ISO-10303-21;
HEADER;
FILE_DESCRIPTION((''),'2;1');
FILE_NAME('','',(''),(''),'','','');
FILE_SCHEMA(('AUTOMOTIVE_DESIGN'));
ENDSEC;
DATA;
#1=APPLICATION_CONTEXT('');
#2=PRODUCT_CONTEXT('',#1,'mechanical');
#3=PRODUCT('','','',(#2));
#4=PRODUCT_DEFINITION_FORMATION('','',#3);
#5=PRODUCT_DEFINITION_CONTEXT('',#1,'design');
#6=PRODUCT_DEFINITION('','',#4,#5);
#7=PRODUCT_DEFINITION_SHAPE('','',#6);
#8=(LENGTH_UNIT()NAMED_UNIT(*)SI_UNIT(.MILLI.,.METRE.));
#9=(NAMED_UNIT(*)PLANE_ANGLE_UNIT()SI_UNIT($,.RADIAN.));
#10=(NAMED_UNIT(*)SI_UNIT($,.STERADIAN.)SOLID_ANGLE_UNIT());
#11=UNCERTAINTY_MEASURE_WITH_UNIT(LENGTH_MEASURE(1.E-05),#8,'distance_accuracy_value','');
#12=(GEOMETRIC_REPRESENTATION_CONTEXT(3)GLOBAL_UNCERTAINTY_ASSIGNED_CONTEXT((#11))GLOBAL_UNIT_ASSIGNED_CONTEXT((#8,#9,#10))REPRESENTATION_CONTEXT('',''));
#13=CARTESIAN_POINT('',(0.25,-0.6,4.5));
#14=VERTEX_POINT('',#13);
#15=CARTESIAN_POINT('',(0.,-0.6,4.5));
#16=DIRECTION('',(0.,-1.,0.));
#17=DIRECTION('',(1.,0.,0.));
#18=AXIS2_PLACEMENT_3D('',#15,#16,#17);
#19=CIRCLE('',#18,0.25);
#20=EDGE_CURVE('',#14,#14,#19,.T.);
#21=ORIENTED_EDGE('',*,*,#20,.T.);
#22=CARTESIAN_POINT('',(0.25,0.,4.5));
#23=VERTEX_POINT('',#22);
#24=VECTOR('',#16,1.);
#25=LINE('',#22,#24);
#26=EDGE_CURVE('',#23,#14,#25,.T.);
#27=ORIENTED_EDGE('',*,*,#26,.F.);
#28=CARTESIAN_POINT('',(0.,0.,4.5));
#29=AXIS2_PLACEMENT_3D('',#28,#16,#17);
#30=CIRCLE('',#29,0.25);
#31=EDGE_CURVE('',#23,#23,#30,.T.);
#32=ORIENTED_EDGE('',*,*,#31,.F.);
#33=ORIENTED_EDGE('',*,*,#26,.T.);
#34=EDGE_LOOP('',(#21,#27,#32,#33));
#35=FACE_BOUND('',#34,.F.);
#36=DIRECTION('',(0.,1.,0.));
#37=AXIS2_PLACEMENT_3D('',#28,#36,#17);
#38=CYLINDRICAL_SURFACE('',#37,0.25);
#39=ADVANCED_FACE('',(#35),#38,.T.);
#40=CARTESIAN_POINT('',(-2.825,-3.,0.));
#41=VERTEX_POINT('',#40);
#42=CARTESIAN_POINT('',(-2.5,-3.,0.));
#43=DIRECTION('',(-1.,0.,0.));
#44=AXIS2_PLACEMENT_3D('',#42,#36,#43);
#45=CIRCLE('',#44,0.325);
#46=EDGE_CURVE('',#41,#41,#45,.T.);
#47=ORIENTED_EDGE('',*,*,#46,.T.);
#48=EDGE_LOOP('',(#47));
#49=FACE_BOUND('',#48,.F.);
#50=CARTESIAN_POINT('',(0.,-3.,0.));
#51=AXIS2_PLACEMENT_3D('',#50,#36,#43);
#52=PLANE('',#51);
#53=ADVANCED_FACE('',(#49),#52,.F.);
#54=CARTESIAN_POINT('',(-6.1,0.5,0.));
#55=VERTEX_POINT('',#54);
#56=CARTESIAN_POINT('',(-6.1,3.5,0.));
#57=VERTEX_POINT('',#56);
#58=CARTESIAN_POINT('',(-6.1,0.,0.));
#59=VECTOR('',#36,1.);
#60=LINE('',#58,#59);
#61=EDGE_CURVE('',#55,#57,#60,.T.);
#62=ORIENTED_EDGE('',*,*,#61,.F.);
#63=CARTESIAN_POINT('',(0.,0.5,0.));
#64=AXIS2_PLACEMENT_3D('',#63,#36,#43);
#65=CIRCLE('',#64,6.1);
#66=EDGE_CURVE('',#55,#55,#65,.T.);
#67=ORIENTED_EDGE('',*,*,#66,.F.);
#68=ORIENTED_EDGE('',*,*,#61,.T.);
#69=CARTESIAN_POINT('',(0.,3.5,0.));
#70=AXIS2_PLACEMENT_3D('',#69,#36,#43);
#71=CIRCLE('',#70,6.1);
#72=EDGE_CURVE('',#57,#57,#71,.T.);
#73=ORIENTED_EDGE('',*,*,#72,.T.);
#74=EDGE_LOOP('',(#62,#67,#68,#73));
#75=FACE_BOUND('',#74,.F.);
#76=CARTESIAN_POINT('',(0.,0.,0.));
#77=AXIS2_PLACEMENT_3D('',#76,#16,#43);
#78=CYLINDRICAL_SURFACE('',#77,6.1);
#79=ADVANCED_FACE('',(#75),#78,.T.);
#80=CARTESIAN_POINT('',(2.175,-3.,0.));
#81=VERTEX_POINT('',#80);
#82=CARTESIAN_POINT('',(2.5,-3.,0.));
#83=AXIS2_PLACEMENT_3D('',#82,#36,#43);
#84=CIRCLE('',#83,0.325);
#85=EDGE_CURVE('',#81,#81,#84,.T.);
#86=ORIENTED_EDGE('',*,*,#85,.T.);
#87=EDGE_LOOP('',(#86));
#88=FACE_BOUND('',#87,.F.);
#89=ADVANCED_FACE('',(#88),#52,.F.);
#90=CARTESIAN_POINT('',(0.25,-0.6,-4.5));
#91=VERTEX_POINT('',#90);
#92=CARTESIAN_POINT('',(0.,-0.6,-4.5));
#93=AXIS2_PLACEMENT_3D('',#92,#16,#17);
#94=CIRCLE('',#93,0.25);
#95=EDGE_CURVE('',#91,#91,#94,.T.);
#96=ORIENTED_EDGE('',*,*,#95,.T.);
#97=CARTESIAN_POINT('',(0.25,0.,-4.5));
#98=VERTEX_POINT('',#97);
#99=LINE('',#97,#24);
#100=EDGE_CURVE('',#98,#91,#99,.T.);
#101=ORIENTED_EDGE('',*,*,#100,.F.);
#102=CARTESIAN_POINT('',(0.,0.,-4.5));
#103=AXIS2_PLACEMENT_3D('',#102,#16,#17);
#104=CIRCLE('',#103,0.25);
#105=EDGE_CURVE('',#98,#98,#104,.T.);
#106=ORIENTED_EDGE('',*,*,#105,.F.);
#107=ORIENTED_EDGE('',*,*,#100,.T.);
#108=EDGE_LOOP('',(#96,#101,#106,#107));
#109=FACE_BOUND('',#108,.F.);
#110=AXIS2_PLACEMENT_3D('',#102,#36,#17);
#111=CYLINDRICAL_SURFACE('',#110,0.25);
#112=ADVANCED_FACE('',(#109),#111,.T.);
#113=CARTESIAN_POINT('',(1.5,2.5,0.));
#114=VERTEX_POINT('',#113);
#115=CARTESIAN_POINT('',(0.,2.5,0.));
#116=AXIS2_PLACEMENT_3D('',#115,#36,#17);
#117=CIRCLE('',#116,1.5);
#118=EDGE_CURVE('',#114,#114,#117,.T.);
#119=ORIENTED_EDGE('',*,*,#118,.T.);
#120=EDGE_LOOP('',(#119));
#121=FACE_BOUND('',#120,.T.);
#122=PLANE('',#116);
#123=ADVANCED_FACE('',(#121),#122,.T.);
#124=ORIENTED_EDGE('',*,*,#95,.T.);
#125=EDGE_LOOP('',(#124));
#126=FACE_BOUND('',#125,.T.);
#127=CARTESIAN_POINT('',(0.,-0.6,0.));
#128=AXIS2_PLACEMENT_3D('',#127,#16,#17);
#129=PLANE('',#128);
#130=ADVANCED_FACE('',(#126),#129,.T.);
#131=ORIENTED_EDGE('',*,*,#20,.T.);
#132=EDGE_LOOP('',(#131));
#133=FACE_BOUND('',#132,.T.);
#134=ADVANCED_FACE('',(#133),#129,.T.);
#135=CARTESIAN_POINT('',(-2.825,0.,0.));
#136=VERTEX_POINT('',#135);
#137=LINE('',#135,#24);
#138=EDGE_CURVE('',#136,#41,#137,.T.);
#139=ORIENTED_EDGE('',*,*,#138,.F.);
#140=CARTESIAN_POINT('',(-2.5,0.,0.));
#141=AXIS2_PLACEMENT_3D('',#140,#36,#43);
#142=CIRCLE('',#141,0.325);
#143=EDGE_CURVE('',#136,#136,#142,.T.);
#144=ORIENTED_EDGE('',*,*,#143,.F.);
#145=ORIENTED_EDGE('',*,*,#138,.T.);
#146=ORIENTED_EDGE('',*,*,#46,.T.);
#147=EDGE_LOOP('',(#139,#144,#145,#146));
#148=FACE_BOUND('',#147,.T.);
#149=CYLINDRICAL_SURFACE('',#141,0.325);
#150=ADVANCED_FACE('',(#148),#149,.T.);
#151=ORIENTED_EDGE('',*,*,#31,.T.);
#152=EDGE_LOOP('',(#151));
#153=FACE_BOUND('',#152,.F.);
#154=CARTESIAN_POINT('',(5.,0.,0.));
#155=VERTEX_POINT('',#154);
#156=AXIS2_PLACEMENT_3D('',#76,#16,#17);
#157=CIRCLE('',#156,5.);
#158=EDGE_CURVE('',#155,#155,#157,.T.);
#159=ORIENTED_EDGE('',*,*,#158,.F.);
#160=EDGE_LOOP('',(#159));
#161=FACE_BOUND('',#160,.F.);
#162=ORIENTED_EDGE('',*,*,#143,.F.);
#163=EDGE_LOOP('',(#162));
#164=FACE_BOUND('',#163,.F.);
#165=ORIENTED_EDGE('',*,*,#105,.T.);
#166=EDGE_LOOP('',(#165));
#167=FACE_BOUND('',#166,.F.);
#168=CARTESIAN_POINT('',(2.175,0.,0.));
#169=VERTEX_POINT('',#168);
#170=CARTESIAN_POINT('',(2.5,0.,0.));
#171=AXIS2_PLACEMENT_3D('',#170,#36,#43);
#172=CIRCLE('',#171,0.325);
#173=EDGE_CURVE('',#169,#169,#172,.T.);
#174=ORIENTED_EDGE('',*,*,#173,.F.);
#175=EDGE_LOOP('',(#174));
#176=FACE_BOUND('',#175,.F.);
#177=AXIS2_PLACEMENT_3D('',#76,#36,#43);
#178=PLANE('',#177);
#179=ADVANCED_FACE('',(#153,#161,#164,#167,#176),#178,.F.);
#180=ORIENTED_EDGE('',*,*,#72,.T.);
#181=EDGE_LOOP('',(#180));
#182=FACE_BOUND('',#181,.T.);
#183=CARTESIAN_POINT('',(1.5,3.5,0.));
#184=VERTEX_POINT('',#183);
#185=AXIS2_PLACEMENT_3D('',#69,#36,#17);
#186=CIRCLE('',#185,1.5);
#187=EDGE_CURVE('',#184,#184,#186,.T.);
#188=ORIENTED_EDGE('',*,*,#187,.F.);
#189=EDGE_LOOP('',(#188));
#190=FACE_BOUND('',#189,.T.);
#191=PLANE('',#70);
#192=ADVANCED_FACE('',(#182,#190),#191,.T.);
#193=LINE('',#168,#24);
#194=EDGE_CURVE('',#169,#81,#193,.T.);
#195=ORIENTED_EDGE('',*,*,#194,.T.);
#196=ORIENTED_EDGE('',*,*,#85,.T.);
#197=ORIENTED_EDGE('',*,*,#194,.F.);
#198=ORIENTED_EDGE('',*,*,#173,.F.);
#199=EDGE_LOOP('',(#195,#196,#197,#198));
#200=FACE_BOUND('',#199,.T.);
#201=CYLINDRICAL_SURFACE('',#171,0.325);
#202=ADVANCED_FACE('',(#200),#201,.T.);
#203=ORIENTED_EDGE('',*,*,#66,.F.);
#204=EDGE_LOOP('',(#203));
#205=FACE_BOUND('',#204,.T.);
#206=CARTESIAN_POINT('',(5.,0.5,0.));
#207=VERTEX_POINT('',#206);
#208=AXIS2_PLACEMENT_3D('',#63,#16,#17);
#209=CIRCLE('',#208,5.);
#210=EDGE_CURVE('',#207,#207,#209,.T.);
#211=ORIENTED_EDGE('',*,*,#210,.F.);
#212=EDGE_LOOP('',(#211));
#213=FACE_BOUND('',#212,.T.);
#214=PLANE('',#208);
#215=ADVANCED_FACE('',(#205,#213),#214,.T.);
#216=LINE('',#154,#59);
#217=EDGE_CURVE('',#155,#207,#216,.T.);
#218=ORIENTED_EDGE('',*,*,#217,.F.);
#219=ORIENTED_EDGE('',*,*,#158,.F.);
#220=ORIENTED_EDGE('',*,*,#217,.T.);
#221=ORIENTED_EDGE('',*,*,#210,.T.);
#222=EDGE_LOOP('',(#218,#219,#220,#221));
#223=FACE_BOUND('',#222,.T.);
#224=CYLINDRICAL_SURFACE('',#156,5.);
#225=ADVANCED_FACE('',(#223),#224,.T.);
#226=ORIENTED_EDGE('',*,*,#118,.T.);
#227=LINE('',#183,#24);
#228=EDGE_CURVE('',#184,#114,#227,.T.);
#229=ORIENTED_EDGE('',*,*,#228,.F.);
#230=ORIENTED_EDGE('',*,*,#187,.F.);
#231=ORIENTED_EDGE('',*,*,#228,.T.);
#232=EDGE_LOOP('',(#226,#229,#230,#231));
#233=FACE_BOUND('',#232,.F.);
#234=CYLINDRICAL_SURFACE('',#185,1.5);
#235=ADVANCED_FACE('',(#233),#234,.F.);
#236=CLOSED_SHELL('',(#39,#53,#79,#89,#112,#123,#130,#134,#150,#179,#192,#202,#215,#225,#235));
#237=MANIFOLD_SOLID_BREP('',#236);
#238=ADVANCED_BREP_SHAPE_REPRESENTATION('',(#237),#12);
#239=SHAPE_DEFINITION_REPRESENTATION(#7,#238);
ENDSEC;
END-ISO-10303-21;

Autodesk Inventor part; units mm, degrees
ref_plane "YZ Plane" through (0, 0, 0) normal (1, 0, 0) x (0, 1, 0)
ref_plane "XZ Plane" through (0, 0, 0) normal (0, 1, 0) x (-1, 0, 0)
ref_plane "XY Plane" through (0, 0, 0) normal (0, 0, 1) x (1, 0, 0)
sketch "Sketch1" plane through (0, 0, 0) normal (0, 1, 0) x (-1, 0, 0)
  circle A0 centre (0, 0) radius 6.1
  dimension "d0" = 12.2
extrude "Extrusion1" add sketch "Sketch1" along normal blind 3.5
sketch "Sketch2" plane through (0, 3.5, 0) normal (0, 1, 0) x (1, 0, 0)
  circle A0 centre (0, 0) radius 1.5
  dimension "d3" = 3
extrude "Extrusion2" cut sketch "Sketch2" against normal blind 1
sketch "Sketch3" plane through (0, 0, 0) normal (0, -1, 0) x (1, 0, 0)
  circle A0 centre (0, 0) radius 5
  circle A1 centre (0, 0) radius 6.1 projected
  dimension "d6" = 10
extrude "Extrusion3" cut sketch "Sketch3" against normal blind 0.5
sketch "Sketch4" plane through (0, 0, 0) normal (0, 1, 0) x (-1, 0, 0)
  line L0 (-8.54, 0) -> (8.54, 0) construction
  circle A0 centre (-2.5, 0) radius 0.325
  circle A1 centre (2.5, 0) radius 0.325
  line L1 (0, -8.54) -> (0, 8.54) construction
  point P0 (0, 0)
  dimension "d9" = 0.65
  dimension "d10" = 0.65
  dimension "d11" = 5
extrude "Extrusion4" add sketch "Sketch4" against normal blind 3
sketch "Sketch5" plane through (0, 0, 0) normal (0, -1, 0) x (1, 0, 0)
  line L0 (0, 8.54) -> (0, -8.54) construction
  line L1 (-8.54, 0) -> (8.54, 0) construction
  circle A0 centre (0, -4.5) radius 0.25
  circle A1 centre (0, 4.5) radius 0.25
  point P0 (0, 0)
  dimension "d14" = 0.5
  dimension "d15" = 0.5
  dimension "d16" = 9
extrude "Extrusion5" add sketch "Sketch5" along normal blind 0.6
properties part number "BUZZER_TDK_PS12"
